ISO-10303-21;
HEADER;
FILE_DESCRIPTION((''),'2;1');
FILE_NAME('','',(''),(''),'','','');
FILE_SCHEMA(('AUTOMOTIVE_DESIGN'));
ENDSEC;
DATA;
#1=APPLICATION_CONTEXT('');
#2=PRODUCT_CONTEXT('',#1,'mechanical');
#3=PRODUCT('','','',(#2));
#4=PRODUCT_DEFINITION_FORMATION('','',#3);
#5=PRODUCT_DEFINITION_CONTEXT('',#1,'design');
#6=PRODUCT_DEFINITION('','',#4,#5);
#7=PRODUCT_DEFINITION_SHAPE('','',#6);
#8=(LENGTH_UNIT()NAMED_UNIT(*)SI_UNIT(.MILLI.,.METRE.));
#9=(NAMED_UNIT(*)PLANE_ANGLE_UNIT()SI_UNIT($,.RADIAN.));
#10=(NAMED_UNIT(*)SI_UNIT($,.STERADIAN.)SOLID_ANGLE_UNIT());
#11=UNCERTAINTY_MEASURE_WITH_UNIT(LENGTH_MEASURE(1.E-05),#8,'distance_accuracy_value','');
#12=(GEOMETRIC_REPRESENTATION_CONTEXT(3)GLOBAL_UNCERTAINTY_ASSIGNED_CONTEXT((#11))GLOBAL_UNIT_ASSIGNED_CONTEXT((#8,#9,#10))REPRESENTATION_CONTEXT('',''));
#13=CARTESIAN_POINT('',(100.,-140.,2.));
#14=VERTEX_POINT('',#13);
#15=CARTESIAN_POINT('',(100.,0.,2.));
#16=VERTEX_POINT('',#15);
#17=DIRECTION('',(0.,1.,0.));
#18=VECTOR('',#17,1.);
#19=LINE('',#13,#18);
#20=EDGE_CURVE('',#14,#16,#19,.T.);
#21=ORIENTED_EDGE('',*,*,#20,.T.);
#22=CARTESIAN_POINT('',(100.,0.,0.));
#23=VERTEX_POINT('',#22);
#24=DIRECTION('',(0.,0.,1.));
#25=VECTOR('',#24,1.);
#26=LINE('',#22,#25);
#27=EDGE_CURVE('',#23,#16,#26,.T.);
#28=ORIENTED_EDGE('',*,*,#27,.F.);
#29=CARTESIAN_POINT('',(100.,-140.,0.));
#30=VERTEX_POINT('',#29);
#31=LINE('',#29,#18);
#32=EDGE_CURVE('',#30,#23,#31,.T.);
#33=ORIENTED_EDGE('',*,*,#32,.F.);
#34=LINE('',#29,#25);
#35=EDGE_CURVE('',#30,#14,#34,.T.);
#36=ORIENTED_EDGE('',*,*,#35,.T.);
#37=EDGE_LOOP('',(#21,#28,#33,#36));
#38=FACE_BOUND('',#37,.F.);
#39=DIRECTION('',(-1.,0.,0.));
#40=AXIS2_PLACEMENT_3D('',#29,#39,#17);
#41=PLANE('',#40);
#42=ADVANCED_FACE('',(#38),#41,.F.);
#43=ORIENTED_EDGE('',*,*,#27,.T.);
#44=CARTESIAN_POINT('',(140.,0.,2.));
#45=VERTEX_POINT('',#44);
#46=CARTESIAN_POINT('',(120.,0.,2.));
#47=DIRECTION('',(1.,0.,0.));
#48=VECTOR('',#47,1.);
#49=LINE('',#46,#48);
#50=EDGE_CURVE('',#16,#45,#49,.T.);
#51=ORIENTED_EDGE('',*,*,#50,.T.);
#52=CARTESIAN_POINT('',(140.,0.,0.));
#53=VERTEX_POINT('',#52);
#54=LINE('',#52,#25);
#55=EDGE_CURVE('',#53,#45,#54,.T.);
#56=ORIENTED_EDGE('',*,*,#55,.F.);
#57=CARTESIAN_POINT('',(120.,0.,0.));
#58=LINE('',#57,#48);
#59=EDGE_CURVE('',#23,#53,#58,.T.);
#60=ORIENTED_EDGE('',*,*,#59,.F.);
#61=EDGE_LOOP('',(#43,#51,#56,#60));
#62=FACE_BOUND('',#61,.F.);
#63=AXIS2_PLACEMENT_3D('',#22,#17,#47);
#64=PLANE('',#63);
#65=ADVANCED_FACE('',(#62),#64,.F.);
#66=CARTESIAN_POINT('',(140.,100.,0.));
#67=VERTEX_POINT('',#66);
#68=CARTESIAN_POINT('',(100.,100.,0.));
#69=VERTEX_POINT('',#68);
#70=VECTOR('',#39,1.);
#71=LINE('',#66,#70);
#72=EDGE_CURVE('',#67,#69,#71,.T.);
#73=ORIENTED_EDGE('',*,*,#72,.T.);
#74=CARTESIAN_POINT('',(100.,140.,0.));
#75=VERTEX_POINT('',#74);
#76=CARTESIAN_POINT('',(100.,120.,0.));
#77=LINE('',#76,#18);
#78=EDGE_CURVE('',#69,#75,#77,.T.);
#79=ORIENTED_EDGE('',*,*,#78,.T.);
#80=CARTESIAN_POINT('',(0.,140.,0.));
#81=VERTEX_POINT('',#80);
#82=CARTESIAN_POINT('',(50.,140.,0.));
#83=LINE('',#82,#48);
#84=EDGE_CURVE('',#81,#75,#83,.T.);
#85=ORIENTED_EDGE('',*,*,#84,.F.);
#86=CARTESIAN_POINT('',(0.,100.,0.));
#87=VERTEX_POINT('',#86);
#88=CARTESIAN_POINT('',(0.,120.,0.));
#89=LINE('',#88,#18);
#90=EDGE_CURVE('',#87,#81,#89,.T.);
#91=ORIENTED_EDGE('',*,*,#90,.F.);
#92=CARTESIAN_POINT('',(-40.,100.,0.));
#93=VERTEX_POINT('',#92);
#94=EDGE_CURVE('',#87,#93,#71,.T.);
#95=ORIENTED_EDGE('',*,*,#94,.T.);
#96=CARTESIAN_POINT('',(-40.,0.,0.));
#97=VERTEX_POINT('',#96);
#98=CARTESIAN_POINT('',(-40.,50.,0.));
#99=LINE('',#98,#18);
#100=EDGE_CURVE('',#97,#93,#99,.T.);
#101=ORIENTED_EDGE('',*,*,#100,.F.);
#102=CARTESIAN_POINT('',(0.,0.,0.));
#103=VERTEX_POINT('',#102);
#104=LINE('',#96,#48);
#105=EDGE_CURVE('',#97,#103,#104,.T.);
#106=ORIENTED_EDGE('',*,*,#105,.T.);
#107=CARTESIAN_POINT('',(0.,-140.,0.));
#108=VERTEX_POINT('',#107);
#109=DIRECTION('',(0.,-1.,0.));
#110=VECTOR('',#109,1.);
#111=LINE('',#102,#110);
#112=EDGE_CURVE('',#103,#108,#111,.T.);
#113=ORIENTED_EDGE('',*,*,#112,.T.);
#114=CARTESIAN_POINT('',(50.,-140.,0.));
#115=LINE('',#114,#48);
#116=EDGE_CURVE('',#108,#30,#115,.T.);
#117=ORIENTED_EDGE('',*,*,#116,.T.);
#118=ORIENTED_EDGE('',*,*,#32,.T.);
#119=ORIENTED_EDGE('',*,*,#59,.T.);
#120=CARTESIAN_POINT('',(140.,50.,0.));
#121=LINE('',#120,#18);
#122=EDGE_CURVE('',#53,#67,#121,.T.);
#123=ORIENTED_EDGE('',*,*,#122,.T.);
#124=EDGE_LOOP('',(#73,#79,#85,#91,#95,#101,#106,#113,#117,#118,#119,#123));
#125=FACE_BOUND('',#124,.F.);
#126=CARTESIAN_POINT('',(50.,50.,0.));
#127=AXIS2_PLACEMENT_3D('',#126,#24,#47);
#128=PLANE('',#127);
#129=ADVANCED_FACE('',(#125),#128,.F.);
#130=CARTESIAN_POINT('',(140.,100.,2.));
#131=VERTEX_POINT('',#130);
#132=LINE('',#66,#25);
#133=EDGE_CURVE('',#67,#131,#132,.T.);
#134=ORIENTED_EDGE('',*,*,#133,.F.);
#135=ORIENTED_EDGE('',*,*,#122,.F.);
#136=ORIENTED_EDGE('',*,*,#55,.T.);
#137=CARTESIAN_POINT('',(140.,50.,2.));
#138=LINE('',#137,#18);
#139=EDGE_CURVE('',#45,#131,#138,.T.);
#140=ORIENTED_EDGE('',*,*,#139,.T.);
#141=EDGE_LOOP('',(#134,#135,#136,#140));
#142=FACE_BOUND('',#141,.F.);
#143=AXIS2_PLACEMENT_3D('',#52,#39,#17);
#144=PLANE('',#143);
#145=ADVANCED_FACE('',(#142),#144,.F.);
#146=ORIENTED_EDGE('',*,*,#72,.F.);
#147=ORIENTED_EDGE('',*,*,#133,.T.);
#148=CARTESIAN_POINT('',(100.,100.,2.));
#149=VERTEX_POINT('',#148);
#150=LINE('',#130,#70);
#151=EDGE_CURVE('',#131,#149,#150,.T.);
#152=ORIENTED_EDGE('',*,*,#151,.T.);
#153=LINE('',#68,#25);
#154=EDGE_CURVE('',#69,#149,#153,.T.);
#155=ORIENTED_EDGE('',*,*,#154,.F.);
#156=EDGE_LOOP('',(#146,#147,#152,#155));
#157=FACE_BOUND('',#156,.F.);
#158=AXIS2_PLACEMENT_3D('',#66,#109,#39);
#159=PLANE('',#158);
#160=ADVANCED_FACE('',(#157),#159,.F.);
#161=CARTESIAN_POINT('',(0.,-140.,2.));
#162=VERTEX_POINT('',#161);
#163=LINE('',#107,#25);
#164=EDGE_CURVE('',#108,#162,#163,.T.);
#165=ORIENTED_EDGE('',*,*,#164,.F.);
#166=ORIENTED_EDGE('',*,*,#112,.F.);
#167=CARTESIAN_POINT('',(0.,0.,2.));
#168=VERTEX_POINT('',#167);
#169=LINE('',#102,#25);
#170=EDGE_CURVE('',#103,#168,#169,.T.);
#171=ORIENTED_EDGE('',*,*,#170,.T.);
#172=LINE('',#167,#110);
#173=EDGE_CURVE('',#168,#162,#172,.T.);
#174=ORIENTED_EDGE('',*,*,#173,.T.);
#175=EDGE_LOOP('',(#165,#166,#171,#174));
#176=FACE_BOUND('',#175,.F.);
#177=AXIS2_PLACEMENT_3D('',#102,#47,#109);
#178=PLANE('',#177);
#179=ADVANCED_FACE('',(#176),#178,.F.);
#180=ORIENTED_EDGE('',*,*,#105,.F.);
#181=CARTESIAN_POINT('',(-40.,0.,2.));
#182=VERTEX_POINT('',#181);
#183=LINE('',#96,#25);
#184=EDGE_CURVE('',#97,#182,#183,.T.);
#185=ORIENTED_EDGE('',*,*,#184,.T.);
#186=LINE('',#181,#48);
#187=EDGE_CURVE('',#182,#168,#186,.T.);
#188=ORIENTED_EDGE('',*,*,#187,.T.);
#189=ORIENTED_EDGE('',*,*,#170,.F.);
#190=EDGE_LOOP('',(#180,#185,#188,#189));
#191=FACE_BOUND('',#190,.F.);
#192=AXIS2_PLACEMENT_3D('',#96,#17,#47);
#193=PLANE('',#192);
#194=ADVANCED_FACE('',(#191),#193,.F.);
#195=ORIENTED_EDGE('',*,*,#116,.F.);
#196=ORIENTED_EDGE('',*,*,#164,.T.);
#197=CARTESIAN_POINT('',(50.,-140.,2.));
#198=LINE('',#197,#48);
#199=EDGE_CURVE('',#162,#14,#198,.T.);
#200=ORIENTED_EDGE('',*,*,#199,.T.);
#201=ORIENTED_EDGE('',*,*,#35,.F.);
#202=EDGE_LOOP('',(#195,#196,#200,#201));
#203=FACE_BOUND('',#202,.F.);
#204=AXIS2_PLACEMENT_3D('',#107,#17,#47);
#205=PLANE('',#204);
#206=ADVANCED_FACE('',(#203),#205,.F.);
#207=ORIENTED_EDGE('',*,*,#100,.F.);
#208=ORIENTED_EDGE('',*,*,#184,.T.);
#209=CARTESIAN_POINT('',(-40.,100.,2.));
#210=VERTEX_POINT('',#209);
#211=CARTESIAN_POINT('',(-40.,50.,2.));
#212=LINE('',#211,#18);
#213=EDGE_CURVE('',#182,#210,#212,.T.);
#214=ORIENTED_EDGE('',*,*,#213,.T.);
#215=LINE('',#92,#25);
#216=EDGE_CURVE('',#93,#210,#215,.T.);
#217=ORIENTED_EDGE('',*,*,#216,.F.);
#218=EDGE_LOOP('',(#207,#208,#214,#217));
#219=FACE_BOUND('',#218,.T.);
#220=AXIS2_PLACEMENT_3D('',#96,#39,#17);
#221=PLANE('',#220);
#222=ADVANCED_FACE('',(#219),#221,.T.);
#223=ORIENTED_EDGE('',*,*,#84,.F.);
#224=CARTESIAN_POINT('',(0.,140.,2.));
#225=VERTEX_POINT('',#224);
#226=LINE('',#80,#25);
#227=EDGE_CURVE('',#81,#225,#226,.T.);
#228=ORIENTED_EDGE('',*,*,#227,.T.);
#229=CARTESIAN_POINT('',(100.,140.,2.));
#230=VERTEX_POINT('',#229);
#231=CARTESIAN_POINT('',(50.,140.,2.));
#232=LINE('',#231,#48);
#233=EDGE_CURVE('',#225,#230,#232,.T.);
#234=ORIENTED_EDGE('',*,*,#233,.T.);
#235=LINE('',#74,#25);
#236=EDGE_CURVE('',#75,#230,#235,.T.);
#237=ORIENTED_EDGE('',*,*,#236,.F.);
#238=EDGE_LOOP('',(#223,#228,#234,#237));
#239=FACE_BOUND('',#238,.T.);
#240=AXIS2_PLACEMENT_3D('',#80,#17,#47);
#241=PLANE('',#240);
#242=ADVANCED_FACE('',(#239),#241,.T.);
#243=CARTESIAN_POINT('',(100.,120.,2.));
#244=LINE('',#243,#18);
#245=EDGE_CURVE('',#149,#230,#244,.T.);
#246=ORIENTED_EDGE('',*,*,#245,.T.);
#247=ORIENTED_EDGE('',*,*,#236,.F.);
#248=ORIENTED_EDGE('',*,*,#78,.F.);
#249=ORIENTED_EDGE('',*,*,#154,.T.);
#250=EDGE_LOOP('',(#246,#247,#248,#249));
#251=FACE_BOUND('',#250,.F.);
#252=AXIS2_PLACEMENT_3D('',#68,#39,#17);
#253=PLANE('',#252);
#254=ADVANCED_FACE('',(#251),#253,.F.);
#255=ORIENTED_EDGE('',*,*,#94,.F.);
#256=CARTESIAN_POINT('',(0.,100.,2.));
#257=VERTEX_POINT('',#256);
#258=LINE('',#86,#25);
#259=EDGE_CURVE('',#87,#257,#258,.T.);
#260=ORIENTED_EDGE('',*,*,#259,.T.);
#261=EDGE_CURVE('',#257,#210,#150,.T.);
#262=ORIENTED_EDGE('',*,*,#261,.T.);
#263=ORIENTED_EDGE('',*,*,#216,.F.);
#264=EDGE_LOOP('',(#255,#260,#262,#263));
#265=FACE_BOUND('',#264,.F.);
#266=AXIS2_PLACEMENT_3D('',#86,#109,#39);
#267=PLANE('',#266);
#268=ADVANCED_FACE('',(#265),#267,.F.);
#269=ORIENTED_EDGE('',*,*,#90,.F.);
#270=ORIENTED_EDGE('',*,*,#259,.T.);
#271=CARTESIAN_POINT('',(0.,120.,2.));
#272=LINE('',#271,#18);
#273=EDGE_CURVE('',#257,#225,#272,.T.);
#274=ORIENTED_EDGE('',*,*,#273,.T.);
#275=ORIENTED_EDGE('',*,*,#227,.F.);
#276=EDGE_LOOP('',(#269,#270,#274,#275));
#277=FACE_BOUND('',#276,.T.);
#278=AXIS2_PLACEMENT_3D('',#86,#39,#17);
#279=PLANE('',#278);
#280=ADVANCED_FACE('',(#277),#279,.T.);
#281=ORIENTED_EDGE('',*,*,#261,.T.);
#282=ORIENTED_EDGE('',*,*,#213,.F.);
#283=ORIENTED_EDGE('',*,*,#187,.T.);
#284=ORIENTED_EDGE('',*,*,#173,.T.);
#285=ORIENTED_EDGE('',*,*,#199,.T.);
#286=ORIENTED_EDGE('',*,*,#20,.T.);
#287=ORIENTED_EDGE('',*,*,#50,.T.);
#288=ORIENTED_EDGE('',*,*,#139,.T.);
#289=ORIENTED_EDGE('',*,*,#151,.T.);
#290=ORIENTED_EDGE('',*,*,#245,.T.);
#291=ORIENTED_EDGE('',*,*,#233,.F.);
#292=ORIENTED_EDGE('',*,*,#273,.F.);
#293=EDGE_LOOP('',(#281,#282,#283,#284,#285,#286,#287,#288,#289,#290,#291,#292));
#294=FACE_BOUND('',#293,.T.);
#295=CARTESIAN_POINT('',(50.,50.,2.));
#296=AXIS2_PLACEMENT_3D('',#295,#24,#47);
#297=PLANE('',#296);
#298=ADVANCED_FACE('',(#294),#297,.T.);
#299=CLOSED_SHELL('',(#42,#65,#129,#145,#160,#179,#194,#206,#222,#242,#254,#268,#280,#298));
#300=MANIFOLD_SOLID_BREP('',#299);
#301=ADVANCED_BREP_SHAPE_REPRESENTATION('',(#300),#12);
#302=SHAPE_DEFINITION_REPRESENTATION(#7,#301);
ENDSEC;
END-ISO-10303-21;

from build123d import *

# Parameters (mm, degrees)
F0_W     = 100
F0_H     = 100
F0_W_2   = 40
F0_H_2   = 40
F1_DEPTH = 2


with BuildPart() as f1:
    # F0 (on Top) → F1 (new body)
    with BuildSketch(Plane.XY):
        with Locations((50, 50)):
            Rectangle(F0_W, F0_H)
        with Locations((-20, 50)):
            Rectangle(F0_W_2, F0_H)
        with Locations((50, -20)):
            Rectangle(F0_W, F0_H_2)
        with Locations((120, 50)):
            Rectangle(F0_W_2, F0_H)
        with Locations((50, 120)):
            Rectangle(F0_W, F0_H_2)
        with Locations((50, -90)):
            Rectangle(F0_W, F0_H)
    extrude(amount=F1_DEPTH)


solid = f1.part
